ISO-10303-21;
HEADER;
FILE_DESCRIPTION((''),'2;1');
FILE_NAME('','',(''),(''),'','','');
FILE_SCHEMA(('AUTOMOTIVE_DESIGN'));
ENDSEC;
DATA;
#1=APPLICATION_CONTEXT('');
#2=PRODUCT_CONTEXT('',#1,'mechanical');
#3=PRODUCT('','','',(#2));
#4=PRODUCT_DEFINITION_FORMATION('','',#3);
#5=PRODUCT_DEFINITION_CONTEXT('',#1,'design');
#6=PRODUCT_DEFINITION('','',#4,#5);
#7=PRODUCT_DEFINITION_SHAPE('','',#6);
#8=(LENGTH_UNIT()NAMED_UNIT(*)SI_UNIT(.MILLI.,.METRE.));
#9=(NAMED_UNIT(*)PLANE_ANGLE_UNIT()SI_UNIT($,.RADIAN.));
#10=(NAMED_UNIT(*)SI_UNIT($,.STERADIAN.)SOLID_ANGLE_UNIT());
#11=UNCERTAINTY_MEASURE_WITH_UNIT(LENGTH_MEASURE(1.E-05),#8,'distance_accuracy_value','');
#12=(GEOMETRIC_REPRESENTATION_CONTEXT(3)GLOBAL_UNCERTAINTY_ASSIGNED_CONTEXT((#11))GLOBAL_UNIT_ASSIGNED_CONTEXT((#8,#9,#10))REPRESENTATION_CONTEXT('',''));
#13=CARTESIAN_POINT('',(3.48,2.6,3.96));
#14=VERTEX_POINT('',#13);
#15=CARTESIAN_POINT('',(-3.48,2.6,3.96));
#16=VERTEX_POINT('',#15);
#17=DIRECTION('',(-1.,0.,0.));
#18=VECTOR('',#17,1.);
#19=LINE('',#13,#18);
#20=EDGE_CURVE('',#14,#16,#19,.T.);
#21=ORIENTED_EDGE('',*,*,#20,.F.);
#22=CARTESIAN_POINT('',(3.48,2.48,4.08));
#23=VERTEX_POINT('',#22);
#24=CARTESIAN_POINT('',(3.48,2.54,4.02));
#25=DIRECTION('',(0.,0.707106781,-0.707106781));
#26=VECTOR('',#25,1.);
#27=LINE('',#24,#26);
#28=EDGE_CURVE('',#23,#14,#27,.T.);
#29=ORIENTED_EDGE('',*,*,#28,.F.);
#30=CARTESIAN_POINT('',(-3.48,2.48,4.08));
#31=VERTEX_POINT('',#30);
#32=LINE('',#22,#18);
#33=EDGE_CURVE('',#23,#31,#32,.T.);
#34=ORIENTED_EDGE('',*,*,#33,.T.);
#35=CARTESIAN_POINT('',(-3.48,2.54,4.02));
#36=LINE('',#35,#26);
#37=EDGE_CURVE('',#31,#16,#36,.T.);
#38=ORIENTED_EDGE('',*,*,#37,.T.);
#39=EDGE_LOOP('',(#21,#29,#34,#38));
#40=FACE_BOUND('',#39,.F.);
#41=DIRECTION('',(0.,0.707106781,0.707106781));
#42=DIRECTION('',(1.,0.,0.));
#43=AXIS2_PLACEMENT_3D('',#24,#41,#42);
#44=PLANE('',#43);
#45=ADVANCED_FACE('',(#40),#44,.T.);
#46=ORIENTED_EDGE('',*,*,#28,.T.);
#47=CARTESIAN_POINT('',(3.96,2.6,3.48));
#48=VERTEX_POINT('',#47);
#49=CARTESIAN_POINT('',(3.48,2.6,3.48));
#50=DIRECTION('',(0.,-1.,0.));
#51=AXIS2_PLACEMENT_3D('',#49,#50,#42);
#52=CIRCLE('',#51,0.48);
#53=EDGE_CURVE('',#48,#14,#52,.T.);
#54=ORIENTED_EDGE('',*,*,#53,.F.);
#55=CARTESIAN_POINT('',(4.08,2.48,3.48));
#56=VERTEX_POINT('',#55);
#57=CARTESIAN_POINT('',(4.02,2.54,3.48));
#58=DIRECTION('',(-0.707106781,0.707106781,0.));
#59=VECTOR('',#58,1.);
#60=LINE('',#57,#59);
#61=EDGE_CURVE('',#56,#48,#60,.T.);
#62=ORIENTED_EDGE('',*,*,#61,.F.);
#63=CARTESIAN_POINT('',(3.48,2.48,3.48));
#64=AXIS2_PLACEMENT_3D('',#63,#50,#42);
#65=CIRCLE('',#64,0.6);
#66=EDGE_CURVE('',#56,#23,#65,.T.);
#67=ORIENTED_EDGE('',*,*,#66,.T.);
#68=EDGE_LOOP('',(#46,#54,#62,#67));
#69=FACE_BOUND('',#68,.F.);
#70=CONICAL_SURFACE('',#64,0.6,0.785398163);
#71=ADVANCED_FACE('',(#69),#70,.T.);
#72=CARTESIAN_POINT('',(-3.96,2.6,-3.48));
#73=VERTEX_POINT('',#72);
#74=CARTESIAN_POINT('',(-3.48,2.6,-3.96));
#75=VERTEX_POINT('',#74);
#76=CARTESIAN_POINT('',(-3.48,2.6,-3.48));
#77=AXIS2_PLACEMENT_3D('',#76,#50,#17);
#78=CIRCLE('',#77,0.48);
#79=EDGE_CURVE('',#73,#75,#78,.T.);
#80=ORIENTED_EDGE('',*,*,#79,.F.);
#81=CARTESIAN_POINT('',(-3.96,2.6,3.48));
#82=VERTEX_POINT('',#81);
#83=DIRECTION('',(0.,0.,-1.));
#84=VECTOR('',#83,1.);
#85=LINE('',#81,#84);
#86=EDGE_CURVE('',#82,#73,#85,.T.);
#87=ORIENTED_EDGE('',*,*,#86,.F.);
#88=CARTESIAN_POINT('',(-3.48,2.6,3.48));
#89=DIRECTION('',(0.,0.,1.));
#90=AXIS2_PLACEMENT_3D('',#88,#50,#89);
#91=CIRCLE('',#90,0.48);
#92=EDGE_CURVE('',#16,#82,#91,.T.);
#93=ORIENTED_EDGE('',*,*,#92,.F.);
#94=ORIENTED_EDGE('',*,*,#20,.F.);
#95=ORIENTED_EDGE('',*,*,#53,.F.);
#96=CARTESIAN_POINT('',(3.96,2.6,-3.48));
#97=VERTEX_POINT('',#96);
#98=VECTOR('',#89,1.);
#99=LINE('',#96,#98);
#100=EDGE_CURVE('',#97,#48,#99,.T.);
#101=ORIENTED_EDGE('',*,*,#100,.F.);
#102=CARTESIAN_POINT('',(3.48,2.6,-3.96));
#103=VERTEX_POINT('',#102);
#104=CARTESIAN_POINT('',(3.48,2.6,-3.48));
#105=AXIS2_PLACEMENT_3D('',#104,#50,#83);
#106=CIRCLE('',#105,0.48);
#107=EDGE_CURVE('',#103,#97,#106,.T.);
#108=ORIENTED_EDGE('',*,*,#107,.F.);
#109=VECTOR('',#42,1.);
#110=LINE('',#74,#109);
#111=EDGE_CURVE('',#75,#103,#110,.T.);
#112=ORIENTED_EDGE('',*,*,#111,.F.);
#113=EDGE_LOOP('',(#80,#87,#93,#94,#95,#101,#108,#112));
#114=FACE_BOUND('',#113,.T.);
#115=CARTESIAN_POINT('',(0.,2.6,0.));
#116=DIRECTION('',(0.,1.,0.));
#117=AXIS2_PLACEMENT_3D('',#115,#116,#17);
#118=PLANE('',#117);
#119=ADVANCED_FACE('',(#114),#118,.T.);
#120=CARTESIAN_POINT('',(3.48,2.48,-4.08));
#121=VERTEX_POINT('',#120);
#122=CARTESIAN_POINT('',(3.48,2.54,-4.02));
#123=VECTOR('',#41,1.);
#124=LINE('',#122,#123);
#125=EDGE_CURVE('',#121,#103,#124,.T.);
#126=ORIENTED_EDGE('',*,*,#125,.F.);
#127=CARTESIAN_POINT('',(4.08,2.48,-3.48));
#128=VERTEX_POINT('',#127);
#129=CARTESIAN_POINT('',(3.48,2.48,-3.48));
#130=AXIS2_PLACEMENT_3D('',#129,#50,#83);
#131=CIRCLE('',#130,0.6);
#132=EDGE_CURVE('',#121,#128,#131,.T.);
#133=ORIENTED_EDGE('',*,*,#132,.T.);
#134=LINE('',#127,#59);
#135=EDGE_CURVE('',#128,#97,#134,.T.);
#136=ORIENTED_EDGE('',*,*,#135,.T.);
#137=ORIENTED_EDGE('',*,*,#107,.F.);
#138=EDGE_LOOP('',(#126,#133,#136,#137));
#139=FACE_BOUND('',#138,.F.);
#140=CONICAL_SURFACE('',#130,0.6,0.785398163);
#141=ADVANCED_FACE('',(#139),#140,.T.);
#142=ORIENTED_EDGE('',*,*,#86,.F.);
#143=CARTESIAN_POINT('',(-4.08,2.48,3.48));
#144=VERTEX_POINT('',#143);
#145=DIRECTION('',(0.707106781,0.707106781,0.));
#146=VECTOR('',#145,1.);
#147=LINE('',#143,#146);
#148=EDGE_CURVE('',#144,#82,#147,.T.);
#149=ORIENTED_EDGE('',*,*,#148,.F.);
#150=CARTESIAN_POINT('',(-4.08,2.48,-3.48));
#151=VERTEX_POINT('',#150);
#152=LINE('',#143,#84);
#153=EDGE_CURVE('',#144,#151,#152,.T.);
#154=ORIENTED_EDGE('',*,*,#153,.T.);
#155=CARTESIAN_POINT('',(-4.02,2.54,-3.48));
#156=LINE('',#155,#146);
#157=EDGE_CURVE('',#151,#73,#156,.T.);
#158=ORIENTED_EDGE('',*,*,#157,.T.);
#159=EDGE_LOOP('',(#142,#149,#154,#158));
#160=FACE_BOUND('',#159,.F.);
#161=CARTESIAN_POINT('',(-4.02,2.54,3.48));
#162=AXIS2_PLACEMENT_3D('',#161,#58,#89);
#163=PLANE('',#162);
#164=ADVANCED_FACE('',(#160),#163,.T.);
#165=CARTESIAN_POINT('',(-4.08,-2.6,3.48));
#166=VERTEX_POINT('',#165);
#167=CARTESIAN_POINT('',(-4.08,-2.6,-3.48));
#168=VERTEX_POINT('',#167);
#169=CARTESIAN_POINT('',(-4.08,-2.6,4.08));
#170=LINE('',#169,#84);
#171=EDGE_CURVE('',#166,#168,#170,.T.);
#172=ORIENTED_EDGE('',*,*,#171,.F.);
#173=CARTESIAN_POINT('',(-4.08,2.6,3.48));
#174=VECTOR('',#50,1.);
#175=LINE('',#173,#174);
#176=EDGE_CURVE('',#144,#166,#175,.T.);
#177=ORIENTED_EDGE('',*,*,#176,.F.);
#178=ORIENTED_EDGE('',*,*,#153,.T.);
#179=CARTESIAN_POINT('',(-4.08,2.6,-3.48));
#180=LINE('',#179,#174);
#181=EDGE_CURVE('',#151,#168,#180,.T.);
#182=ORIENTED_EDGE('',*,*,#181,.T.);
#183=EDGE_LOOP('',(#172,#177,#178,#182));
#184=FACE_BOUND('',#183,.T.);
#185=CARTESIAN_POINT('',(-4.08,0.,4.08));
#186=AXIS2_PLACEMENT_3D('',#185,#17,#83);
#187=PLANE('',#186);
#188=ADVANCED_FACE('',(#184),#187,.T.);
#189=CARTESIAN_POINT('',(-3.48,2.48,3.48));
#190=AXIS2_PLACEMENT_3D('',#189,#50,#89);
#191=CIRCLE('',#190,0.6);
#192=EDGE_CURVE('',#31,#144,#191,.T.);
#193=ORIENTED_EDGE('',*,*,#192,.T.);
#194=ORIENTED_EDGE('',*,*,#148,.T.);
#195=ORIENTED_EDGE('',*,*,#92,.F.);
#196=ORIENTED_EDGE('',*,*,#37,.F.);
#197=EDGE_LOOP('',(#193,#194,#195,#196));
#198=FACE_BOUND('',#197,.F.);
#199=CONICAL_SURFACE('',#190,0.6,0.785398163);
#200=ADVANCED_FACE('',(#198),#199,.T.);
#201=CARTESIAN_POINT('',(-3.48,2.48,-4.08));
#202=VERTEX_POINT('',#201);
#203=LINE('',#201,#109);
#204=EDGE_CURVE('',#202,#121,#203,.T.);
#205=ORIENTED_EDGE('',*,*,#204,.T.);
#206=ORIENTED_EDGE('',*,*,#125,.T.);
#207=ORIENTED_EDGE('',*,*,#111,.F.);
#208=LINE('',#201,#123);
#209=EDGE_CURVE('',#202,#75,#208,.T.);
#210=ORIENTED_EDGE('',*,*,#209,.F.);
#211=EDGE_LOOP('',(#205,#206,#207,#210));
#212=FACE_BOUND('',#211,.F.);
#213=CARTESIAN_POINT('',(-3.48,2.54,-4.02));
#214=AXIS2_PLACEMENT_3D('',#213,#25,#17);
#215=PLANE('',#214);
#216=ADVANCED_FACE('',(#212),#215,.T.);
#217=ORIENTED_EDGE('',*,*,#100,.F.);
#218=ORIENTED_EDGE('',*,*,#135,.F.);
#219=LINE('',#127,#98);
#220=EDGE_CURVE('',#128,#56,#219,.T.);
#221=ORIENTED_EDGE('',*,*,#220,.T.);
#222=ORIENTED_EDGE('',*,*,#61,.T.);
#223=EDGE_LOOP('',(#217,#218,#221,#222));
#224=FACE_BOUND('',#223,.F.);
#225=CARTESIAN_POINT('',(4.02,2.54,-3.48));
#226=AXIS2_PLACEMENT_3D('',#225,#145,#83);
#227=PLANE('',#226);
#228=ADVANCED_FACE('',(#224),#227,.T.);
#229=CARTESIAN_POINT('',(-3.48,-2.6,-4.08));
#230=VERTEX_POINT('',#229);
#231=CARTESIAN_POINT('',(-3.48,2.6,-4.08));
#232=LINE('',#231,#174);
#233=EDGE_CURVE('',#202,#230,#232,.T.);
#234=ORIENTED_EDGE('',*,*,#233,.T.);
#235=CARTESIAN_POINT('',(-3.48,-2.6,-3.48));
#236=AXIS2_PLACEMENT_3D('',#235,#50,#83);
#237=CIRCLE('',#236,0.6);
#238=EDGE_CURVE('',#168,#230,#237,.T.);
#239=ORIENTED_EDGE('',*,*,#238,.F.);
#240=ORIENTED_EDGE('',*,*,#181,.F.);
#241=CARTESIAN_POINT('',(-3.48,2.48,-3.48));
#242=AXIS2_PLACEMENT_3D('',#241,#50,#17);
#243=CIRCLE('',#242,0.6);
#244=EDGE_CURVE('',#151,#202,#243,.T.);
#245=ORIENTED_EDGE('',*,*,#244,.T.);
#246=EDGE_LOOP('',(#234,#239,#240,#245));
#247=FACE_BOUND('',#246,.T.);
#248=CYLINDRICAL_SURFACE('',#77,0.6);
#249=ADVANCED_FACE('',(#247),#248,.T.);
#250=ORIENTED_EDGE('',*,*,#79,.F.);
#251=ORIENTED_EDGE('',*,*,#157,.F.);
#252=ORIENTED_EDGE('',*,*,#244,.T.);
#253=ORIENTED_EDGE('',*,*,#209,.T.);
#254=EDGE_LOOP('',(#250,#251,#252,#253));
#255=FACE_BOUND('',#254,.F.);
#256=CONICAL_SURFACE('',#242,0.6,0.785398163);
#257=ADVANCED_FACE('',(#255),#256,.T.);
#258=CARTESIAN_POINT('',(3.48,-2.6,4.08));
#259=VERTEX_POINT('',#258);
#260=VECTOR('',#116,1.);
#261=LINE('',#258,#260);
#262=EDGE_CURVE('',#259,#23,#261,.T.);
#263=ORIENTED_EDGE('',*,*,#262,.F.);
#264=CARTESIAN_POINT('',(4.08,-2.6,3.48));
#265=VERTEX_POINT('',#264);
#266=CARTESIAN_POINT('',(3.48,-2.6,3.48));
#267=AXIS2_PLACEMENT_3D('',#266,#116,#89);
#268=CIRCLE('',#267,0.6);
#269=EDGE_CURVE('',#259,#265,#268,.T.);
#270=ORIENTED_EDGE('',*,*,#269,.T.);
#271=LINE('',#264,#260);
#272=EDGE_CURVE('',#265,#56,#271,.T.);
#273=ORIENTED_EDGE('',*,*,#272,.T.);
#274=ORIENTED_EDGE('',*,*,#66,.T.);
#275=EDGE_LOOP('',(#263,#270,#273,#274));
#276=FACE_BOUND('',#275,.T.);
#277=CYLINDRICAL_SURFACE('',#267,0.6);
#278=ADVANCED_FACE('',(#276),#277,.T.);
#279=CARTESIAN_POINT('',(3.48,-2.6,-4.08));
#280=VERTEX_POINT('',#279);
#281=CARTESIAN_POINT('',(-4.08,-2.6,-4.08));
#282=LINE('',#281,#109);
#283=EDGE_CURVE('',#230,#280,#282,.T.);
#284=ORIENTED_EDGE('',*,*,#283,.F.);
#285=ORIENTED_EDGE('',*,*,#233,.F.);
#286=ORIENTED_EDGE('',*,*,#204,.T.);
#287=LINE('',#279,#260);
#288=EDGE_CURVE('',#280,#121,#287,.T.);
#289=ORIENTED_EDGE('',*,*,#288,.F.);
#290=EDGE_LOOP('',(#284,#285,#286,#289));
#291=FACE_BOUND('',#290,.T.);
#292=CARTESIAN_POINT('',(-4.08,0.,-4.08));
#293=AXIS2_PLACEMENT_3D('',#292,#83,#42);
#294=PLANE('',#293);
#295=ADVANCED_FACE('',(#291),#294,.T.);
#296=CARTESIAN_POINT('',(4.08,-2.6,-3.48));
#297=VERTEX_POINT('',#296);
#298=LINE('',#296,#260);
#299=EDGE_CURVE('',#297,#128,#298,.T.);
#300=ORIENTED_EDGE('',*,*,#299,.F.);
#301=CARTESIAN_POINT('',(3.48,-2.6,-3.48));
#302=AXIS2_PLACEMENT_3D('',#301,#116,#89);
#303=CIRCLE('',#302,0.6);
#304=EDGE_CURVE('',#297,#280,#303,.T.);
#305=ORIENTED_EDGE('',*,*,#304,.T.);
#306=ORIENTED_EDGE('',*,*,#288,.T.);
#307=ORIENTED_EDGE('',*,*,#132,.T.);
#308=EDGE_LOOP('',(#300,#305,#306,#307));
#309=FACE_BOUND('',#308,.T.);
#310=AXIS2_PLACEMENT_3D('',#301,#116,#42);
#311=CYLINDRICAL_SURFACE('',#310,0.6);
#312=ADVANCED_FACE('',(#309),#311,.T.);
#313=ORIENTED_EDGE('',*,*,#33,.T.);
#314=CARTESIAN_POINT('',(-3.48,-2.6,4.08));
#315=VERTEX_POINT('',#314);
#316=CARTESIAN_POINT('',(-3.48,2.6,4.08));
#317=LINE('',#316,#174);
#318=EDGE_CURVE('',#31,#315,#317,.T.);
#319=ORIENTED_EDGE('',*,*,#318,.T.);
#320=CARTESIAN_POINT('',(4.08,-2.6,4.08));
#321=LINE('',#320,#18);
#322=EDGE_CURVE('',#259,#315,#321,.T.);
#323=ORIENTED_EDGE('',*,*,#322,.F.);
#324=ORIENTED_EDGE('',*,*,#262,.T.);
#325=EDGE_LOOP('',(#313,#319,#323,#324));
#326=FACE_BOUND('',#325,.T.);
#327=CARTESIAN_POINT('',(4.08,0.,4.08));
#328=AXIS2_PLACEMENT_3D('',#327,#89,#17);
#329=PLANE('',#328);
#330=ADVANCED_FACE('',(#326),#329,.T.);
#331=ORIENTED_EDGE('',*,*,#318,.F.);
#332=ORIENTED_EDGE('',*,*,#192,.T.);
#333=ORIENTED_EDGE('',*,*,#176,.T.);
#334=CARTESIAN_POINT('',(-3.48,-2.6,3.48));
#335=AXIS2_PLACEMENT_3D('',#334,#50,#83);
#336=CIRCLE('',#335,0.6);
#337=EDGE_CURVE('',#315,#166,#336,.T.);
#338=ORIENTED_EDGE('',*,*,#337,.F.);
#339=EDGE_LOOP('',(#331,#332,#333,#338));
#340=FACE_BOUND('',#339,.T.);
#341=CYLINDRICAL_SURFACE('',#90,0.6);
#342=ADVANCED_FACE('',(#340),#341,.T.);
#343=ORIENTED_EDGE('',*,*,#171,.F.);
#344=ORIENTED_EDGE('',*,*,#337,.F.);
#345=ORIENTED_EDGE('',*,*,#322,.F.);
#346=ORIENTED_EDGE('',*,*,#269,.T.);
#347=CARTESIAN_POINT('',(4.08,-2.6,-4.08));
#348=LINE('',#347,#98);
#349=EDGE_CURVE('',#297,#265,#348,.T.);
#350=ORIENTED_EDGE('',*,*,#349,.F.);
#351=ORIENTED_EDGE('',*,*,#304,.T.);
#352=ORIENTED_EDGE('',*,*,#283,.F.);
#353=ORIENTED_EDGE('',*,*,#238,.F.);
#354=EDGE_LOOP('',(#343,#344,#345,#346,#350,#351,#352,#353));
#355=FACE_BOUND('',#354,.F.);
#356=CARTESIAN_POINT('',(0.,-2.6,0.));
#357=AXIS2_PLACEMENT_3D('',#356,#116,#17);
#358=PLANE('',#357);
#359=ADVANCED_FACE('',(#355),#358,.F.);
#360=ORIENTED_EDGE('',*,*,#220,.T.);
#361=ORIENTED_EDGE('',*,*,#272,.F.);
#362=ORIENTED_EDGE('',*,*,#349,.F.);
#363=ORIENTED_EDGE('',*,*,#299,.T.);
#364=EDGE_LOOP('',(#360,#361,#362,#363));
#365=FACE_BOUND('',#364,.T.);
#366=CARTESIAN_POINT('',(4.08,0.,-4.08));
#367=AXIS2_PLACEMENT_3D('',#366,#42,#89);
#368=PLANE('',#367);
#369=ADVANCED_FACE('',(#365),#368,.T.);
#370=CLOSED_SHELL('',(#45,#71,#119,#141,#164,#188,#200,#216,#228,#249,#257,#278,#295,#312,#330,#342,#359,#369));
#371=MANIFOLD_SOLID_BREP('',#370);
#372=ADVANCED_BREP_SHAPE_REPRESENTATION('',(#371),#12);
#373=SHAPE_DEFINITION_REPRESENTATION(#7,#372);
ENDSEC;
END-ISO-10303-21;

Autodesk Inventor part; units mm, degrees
ref_plane "YZ Plane" through (0, 0, 0) normal (1, 0, 0) x (0, 1, 0)
ref_plane "XZ Plane" through (0, 0, 0) normal (0, 1, 0) x (-1, 0, 0)
ref_plane "XY Plane" through (0, 0, 0) normal (0, 0, 1) x (1, 0, 0)
sketch "Sketch2" plane through (0, 0, 0) normal (0, 1, 0) x (-1, 0, 0)
  line L0 (-4.08, 4.08) -> (4.08, 4.08)
  line L1 (4.08, 4.08) -> (4.08, -4.08)
  line L2 (4.08, -4.08) -> (-4.08, -4.08)
  line L3 (-4.08, -4.08) -> (-4.08, 4.08)
  point P0 (0, 0)
  point P1 (0, 4.08)
  point P2 (-4.08, 0)
  dimension "d0" = 8.16
extrude "Extrusion1" add sketch "Sketch2" along normal mid plane 5.2
fillet "Fillet1" radius 0.6 4 edges at (-4.08, 0, 4.08) (4.08, 0, 4.08) (4.08, 0, -4.08) (-4.08, 0, -4.08)
chamfer "Chamfer1" distance 0.12 angle 45 8 edges at (0, 2.6, 4.08) (3.9043, 2.6, 3.9043) (4.08, 2.6, 0) (3.9043, 2.6, -3.9043) (0, 2.6, -4.08) (-3.9043, 2.6, -3.9043) (-4.08, 2.6, 0) (-3.9043, 2.6, 3.9043)
properties part number "99146-LtBluishGray" material "ABS Plastic"
